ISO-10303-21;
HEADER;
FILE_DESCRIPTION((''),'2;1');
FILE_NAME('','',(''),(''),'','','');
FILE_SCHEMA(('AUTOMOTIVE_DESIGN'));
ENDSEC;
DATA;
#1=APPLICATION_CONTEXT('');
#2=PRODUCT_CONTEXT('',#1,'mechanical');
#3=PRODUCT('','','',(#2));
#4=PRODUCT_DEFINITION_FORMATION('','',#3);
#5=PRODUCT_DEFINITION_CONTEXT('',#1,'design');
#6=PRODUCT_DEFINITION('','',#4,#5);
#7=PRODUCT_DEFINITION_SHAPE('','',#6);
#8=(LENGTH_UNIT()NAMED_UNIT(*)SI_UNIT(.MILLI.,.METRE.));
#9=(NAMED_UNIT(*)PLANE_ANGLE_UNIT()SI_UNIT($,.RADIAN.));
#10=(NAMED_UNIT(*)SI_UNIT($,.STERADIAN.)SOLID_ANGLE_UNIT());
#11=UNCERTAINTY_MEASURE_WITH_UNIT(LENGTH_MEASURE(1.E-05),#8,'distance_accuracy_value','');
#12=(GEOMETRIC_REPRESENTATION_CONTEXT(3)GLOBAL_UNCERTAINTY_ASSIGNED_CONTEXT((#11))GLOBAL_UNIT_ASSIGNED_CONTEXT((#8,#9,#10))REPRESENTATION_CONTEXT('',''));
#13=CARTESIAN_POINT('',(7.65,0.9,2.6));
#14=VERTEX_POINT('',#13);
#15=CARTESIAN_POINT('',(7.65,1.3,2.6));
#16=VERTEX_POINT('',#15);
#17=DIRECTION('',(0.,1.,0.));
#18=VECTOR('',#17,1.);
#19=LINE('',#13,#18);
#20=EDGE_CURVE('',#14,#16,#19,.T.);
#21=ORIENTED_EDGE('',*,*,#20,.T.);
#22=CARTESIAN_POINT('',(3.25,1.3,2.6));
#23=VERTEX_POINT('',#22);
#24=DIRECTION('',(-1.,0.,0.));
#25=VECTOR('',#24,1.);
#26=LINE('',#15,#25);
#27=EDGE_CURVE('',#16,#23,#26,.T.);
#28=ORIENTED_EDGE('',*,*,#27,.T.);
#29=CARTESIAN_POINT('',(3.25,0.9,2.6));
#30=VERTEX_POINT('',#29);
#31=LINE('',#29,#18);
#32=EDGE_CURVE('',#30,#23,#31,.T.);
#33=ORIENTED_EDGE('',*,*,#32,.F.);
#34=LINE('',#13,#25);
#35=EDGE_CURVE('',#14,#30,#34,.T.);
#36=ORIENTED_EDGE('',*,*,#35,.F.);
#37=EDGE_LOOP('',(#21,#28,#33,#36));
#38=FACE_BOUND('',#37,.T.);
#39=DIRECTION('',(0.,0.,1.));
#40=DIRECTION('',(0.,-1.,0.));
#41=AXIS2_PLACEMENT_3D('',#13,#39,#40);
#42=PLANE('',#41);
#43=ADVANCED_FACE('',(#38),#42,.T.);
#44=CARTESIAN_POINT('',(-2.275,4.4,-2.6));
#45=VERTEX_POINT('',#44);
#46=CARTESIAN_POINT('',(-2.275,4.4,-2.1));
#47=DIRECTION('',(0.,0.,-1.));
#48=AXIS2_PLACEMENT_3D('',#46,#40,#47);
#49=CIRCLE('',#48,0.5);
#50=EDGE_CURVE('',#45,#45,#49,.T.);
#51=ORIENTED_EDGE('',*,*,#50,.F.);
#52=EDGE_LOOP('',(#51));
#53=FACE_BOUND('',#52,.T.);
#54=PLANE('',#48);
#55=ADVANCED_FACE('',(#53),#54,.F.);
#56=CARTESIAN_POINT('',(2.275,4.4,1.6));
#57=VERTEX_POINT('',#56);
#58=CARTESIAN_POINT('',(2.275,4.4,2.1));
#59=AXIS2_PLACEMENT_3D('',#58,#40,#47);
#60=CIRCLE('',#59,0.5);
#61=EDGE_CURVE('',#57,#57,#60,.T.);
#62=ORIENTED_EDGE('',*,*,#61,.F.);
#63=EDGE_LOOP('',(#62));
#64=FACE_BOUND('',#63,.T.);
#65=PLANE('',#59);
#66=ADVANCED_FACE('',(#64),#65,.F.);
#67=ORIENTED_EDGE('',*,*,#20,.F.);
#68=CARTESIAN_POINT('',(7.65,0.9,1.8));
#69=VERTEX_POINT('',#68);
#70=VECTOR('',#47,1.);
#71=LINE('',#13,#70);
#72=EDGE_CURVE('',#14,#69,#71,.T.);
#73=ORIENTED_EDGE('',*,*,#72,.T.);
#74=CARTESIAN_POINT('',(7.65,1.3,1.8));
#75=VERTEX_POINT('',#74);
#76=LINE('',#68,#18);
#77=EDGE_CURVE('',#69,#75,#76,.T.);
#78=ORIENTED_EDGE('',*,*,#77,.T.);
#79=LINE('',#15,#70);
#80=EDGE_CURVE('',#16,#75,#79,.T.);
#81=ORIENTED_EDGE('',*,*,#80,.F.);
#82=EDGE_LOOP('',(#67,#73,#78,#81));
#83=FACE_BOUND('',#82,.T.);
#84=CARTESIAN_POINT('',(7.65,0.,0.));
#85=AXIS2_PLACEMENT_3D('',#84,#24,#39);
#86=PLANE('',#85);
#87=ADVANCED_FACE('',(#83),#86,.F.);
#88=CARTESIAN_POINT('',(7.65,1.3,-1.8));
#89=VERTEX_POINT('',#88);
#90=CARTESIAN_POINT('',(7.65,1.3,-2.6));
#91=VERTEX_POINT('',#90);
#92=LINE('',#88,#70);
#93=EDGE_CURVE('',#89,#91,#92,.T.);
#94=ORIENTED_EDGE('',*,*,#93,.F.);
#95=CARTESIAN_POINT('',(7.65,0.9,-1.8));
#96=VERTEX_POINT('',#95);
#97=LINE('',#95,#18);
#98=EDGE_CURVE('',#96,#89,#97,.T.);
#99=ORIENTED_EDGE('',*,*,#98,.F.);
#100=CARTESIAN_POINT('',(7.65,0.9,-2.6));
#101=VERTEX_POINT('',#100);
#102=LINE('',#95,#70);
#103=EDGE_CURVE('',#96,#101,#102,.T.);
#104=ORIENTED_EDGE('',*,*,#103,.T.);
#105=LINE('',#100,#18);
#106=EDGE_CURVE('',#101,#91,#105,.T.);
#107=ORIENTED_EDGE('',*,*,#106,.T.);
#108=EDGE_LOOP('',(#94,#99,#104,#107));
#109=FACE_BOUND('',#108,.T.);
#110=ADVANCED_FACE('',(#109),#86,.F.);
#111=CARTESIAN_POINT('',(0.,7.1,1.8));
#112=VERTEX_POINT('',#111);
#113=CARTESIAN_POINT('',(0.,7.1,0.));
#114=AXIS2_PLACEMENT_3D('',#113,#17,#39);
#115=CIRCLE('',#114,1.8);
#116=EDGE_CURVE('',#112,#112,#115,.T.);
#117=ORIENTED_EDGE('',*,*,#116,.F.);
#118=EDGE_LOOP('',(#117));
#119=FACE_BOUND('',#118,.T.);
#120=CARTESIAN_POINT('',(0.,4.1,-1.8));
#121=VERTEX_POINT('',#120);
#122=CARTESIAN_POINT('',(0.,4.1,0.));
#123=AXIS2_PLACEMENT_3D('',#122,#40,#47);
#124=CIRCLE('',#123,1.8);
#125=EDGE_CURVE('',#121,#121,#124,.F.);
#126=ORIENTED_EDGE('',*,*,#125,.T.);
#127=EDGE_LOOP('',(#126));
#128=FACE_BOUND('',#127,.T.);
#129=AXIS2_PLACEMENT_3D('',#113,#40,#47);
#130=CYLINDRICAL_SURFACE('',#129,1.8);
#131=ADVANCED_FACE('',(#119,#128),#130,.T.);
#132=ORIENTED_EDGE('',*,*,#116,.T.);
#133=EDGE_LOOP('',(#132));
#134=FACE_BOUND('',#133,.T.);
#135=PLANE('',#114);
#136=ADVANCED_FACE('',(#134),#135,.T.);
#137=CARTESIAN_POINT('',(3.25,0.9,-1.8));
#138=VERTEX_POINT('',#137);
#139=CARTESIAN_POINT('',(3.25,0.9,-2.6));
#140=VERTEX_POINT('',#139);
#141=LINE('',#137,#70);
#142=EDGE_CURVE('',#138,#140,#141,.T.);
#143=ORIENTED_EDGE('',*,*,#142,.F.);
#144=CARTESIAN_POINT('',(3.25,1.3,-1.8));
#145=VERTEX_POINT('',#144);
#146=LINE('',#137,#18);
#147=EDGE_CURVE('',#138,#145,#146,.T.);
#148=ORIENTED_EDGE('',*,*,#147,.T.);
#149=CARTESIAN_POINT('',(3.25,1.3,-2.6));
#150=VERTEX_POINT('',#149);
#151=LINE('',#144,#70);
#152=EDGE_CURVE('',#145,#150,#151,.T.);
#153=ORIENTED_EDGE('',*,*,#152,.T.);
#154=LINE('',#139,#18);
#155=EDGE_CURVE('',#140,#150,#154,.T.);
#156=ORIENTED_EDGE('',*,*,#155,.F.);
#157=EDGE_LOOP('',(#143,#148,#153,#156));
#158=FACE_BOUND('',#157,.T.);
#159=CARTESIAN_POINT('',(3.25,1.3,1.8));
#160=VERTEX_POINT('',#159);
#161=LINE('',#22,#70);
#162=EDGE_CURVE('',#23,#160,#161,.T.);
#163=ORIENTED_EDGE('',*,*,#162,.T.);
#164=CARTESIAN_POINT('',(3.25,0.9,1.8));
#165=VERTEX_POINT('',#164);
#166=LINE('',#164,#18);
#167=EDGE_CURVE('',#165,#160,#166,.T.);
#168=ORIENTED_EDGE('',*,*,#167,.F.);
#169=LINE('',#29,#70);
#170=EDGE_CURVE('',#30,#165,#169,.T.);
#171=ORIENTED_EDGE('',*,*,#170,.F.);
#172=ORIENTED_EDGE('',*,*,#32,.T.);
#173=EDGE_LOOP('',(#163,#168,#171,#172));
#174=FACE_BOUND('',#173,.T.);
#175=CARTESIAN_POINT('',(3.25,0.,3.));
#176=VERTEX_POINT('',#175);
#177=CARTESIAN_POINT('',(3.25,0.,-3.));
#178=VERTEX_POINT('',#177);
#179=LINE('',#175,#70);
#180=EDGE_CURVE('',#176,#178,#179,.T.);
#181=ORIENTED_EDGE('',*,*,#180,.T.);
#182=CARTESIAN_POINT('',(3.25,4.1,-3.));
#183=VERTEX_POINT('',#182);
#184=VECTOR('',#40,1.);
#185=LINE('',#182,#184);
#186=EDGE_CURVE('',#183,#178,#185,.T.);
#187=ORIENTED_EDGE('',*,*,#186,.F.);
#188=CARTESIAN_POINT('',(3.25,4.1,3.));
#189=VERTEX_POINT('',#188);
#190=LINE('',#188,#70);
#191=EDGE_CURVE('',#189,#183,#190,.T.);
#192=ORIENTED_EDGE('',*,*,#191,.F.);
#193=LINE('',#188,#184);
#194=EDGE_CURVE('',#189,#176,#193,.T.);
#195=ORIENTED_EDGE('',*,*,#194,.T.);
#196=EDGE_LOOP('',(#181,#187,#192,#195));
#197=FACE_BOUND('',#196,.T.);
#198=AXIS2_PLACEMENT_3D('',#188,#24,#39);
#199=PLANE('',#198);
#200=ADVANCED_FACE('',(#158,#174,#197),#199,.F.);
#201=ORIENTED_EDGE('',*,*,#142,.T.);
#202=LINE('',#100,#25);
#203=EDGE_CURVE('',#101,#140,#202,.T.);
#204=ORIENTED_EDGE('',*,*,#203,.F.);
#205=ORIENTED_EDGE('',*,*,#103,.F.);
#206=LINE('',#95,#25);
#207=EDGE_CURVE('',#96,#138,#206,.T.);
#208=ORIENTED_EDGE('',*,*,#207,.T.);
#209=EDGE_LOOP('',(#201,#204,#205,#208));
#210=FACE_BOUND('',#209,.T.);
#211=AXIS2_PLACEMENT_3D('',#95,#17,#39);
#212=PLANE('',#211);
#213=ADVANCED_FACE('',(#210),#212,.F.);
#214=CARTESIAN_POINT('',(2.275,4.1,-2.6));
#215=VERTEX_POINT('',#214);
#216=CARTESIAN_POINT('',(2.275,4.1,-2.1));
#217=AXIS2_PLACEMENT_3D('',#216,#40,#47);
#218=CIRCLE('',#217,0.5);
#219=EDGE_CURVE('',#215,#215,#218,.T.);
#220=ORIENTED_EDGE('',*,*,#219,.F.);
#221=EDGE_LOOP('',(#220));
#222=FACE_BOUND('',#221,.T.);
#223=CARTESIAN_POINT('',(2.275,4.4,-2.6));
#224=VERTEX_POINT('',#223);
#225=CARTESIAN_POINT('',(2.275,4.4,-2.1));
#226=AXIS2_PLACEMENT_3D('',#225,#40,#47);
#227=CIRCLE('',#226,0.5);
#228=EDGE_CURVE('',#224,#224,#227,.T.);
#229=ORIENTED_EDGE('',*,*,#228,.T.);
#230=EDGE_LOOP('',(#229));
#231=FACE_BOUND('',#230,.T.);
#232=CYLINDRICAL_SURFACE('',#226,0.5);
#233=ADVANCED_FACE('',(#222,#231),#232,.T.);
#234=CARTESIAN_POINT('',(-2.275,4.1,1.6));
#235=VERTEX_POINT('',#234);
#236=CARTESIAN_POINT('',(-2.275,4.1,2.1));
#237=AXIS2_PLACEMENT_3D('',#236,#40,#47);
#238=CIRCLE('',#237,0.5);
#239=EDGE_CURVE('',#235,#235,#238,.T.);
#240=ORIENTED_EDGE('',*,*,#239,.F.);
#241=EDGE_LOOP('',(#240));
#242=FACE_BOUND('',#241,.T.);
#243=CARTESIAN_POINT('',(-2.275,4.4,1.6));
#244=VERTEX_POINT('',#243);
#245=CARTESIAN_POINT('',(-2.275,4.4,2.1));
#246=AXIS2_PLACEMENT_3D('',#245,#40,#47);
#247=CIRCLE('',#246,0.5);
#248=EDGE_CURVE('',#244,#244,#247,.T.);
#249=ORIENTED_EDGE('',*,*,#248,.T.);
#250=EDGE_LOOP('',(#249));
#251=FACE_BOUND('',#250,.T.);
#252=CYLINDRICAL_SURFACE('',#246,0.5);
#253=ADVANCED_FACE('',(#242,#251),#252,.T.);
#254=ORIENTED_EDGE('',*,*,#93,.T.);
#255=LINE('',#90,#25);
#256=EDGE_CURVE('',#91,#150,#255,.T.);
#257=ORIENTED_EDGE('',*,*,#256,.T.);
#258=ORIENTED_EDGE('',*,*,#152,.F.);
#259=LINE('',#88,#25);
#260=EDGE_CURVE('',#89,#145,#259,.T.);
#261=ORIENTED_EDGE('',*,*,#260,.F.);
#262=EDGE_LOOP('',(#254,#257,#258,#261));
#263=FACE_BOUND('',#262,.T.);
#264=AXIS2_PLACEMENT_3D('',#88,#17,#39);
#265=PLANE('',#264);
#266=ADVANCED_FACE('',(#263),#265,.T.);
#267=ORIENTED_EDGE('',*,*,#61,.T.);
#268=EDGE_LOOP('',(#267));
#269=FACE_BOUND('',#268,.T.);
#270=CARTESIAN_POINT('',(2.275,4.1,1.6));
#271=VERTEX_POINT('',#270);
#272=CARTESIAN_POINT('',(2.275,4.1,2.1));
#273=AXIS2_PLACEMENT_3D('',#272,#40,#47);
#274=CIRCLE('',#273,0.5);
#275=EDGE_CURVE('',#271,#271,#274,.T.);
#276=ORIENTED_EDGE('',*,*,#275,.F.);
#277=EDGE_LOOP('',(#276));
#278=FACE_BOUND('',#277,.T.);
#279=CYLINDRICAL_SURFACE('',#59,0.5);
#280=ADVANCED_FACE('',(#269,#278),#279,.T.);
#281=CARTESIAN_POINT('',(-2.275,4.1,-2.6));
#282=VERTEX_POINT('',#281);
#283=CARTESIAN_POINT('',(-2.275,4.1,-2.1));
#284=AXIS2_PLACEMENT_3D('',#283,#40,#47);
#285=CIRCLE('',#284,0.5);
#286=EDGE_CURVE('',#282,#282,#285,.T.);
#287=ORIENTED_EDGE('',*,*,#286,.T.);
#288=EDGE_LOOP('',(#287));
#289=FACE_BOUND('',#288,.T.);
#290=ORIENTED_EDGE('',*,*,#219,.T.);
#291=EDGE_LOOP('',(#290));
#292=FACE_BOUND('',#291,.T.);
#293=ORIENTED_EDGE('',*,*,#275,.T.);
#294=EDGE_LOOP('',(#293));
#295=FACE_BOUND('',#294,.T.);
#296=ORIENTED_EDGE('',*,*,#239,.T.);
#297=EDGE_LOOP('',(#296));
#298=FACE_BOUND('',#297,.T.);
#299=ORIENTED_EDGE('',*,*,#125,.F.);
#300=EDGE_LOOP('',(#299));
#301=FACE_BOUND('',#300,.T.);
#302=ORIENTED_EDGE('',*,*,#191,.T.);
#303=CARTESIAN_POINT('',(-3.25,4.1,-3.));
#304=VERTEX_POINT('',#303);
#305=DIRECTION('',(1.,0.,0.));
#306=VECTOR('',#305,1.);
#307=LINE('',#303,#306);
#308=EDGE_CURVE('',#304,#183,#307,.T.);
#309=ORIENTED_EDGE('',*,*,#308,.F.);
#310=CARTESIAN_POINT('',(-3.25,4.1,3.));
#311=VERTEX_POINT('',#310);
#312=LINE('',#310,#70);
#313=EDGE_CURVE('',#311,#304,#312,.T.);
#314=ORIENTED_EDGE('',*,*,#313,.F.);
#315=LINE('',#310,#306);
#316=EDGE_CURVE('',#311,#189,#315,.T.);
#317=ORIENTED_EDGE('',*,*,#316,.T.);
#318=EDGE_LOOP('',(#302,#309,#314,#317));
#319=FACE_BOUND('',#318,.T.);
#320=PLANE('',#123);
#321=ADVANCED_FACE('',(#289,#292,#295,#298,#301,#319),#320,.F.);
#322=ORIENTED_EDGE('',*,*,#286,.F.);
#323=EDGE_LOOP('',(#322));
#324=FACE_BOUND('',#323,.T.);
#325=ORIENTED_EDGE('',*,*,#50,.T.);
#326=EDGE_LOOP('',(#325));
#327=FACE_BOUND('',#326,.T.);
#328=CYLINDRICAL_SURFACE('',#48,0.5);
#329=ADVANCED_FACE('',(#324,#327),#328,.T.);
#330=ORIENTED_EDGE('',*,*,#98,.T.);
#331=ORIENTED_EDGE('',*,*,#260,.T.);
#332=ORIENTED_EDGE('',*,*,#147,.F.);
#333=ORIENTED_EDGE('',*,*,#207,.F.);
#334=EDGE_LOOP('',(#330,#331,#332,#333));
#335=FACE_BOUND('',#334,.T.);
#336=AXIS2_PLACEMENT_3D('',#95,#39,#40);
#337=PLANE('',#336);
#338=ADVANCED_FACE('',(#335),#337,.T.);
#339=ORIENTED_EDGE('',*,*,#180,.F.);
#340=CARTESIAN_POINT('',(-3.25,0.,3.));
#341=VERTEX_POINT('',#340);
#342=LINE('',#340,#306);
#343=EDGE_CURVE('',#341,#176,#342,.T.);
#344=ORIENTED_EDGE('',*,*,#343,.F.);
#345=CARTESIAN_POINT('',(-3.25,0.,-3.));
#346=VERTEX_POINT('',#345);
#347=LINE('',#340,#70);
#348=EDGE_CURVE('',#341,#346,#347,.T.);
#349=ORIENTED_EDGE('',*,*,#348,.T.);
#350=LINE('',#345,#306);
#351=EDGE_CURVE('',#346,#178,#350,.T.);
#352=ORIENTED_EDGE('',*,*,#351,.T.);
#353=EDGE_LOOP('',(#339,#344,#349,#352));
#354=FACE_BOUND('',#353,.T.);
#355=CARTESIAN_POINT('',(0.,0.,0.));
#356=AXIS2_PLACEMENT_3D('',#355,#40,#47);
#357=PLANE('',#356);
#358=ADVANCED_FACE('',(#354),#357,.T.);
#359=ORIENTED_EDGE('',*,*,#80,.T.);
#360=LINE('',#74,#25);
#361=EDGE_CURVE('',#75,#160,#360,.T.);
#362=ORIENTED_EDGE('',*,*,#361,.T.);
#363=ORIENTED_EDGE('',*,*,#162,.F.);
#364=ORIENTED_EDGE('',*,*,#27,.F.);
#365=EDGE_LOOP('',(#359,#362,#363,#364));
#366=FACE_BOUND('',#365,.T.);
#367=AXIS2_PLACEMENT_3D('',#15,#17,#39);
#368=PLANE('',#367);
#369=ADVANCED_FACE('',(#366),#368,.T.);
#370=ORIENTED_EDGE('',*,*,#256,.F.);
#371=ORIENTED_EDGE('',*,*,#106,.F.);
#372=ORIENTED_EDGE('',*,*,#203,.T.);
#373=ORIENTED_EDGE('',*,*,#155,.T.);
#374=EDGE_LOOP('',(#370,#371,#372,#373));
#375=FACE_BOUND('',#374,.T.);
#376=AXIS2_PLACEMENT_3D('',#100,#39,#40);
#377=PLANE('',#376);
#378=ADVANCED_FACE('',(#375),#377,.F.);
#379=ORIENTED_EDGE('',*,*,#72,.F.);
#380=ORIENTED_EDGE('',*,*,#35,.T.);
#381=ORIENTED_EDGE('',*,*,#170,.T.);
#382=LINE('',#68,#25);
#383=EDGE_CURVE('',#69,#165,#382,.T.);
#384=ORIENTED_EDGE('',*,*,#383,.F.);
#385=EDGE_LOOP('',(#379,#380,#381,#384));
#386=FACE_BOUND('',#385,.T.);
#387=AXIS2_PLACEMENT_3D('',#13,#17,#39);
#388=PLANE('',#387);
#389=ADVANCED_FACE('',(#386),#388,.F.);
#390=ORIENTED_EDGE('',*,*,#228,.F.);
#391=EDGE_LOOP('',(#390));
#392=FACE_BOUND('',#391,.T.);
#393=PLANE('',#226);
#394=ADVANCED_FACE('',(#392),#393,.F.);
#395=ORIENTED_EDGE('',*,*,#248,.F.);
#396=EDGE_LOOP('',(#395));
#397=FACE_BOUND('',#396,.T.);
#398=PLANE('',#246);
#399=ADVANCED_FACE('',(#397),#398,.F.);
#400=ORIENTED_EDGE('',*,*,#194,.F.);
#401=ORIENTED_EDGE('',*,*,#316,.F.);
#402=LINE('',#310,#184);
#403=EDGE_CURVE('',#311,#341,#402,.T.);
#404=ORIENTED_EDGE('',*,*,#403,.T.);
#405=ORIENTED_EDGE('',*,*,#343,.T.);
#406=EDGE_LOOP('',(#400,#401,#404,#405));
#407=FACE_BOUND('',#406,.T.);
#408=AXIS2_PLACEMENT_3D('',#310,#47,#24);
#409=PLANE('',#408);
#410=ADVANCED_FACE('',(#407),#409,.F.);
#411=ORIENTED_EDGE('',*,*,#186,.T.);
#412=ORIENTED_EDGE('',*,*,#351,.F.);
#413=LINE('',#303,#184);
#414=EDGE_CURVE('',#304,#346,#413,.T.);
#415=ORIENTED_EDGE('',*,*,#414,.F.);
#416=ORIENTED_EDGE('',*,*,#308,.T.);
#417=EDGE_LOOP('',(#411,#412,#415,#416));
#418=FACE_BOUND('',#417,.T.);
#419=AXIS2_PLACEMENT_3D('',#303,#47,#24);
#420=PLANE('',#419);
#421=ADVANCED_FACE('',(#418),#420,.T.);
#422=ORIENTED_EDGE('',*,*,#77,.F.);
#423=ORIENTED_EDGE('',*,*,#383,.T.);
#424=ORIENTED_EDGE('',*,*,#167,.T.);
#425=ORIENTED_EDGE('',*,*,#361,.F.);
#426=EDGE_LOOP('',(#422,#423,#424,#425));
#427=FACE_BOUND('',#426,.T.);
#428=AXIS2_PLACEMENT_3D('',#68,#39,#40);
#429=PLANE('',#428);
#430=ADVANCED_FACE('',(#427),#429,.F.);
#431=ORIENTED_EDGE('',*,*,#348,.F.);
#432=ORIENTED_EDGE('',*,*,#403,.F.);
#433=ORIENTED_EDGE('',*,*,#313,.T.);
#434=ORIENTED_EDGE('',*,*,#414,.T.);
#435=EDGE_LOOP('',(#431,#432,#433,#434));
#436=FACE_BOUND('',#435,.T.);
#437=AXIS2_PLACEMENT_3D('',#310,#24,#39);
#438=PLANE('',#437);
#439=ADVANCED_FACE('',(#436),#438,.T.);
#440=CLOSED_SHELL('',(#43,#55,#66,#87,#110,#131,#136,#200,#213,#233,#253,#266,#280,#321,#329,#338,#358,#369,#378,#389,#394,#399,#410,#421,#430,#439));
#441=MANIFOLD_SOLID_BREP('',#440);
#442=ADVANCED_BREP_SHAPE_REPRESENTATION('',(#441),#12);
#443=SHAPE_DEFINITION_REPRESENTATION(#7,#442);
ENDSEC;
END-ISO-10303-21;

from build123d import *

# Parameters (mm, degrees)
SKETCH_1_W      = 6.5
SKETCH_1_H      = 6
EXTRUDE_1_DEPTH = 4.1
SKETCH_1_3_R    = 1.8
EXTRUDE_2_DEPTH = 7.1
EXTRUDE_START   = 4.1
SKETCH_1_4_R    = 0.5
EXTRUDE_3_DEPTH = 0.3
SKETCH_2_W      = 0.8
SKETCH_2_H      = 0.4
EXTRUDE_4_DEPTH = 4.4


with BuildPart() as part:
    # 草图1 → 凸台-拉伸1 (new body)
    with BuildSketch(Plane(origin=(0, 0, 0), x_dir=(1, 0, 0), z_dir=(0, 1, 0))):
        Rectangle(SKETCH_1_W, SKETCH_1_H)
    extrude(amount=EXTRUDE_1_DEPTH)

    # 草图1<3> → 凸台-拉伸2 (add)
    with BuildSketch(Plane(origin=(0, 0, 0), x_dir=(1, 0, 0), z_dir=(0, 1, 0))):
        with Locations(Location((0, 0, 0), (0, 0, 90))):
            Circle(SKETCH_1_3_R)
    extrude(amount=EXTRUDE_2_DEPTH)

    # 草图1<4> → 凸台-拉伸3 (add)
    with BuildSketch(Plane(origin=(0, 0, 0), x_dir=(1, 0, 0), z_dir=(0, 1, 0)).offset(EXTRUDE_START)):
        with Locations(Location((-2.275, 2.1, 0), (0, 0, 90))):
            Circle(SKETCH_1_4_R)
        with Locations(Location((-2.275, -2.1, 0), (0, 0, 90))):
            Circle(SKETCH_1_4_R)
        with Locations(Location((2.275, -2.1, 0), (0, 0, 90))):
            Circle(SKETCH_1_4_R)
        with Locations(Location((2.275, 2.1, 0), (0, 0, 90))):
            Circle(SKETCH_1_4_R)
    extrude(amount=EXTRUDE_3_DEPTH)

    # 草图2 → 凸台-拉伸4 (add)
    with BuildSketch(Plane(origin=(3.25, 0, 0), x_dir=(0, 0, -1), z_dir=(1, 0, 0))):
        with Locations((-2.2, 1.1)):
            Rectangle(SKETCH_2_W, SKETCH_2_H)
        with Locations((2.2, 1.1)):
            Rectangle(SKETCH_2_W, SKETCH_2_H)
    extrude(amount=EXTRUDE_4_DEPTH)


solid = part.part
